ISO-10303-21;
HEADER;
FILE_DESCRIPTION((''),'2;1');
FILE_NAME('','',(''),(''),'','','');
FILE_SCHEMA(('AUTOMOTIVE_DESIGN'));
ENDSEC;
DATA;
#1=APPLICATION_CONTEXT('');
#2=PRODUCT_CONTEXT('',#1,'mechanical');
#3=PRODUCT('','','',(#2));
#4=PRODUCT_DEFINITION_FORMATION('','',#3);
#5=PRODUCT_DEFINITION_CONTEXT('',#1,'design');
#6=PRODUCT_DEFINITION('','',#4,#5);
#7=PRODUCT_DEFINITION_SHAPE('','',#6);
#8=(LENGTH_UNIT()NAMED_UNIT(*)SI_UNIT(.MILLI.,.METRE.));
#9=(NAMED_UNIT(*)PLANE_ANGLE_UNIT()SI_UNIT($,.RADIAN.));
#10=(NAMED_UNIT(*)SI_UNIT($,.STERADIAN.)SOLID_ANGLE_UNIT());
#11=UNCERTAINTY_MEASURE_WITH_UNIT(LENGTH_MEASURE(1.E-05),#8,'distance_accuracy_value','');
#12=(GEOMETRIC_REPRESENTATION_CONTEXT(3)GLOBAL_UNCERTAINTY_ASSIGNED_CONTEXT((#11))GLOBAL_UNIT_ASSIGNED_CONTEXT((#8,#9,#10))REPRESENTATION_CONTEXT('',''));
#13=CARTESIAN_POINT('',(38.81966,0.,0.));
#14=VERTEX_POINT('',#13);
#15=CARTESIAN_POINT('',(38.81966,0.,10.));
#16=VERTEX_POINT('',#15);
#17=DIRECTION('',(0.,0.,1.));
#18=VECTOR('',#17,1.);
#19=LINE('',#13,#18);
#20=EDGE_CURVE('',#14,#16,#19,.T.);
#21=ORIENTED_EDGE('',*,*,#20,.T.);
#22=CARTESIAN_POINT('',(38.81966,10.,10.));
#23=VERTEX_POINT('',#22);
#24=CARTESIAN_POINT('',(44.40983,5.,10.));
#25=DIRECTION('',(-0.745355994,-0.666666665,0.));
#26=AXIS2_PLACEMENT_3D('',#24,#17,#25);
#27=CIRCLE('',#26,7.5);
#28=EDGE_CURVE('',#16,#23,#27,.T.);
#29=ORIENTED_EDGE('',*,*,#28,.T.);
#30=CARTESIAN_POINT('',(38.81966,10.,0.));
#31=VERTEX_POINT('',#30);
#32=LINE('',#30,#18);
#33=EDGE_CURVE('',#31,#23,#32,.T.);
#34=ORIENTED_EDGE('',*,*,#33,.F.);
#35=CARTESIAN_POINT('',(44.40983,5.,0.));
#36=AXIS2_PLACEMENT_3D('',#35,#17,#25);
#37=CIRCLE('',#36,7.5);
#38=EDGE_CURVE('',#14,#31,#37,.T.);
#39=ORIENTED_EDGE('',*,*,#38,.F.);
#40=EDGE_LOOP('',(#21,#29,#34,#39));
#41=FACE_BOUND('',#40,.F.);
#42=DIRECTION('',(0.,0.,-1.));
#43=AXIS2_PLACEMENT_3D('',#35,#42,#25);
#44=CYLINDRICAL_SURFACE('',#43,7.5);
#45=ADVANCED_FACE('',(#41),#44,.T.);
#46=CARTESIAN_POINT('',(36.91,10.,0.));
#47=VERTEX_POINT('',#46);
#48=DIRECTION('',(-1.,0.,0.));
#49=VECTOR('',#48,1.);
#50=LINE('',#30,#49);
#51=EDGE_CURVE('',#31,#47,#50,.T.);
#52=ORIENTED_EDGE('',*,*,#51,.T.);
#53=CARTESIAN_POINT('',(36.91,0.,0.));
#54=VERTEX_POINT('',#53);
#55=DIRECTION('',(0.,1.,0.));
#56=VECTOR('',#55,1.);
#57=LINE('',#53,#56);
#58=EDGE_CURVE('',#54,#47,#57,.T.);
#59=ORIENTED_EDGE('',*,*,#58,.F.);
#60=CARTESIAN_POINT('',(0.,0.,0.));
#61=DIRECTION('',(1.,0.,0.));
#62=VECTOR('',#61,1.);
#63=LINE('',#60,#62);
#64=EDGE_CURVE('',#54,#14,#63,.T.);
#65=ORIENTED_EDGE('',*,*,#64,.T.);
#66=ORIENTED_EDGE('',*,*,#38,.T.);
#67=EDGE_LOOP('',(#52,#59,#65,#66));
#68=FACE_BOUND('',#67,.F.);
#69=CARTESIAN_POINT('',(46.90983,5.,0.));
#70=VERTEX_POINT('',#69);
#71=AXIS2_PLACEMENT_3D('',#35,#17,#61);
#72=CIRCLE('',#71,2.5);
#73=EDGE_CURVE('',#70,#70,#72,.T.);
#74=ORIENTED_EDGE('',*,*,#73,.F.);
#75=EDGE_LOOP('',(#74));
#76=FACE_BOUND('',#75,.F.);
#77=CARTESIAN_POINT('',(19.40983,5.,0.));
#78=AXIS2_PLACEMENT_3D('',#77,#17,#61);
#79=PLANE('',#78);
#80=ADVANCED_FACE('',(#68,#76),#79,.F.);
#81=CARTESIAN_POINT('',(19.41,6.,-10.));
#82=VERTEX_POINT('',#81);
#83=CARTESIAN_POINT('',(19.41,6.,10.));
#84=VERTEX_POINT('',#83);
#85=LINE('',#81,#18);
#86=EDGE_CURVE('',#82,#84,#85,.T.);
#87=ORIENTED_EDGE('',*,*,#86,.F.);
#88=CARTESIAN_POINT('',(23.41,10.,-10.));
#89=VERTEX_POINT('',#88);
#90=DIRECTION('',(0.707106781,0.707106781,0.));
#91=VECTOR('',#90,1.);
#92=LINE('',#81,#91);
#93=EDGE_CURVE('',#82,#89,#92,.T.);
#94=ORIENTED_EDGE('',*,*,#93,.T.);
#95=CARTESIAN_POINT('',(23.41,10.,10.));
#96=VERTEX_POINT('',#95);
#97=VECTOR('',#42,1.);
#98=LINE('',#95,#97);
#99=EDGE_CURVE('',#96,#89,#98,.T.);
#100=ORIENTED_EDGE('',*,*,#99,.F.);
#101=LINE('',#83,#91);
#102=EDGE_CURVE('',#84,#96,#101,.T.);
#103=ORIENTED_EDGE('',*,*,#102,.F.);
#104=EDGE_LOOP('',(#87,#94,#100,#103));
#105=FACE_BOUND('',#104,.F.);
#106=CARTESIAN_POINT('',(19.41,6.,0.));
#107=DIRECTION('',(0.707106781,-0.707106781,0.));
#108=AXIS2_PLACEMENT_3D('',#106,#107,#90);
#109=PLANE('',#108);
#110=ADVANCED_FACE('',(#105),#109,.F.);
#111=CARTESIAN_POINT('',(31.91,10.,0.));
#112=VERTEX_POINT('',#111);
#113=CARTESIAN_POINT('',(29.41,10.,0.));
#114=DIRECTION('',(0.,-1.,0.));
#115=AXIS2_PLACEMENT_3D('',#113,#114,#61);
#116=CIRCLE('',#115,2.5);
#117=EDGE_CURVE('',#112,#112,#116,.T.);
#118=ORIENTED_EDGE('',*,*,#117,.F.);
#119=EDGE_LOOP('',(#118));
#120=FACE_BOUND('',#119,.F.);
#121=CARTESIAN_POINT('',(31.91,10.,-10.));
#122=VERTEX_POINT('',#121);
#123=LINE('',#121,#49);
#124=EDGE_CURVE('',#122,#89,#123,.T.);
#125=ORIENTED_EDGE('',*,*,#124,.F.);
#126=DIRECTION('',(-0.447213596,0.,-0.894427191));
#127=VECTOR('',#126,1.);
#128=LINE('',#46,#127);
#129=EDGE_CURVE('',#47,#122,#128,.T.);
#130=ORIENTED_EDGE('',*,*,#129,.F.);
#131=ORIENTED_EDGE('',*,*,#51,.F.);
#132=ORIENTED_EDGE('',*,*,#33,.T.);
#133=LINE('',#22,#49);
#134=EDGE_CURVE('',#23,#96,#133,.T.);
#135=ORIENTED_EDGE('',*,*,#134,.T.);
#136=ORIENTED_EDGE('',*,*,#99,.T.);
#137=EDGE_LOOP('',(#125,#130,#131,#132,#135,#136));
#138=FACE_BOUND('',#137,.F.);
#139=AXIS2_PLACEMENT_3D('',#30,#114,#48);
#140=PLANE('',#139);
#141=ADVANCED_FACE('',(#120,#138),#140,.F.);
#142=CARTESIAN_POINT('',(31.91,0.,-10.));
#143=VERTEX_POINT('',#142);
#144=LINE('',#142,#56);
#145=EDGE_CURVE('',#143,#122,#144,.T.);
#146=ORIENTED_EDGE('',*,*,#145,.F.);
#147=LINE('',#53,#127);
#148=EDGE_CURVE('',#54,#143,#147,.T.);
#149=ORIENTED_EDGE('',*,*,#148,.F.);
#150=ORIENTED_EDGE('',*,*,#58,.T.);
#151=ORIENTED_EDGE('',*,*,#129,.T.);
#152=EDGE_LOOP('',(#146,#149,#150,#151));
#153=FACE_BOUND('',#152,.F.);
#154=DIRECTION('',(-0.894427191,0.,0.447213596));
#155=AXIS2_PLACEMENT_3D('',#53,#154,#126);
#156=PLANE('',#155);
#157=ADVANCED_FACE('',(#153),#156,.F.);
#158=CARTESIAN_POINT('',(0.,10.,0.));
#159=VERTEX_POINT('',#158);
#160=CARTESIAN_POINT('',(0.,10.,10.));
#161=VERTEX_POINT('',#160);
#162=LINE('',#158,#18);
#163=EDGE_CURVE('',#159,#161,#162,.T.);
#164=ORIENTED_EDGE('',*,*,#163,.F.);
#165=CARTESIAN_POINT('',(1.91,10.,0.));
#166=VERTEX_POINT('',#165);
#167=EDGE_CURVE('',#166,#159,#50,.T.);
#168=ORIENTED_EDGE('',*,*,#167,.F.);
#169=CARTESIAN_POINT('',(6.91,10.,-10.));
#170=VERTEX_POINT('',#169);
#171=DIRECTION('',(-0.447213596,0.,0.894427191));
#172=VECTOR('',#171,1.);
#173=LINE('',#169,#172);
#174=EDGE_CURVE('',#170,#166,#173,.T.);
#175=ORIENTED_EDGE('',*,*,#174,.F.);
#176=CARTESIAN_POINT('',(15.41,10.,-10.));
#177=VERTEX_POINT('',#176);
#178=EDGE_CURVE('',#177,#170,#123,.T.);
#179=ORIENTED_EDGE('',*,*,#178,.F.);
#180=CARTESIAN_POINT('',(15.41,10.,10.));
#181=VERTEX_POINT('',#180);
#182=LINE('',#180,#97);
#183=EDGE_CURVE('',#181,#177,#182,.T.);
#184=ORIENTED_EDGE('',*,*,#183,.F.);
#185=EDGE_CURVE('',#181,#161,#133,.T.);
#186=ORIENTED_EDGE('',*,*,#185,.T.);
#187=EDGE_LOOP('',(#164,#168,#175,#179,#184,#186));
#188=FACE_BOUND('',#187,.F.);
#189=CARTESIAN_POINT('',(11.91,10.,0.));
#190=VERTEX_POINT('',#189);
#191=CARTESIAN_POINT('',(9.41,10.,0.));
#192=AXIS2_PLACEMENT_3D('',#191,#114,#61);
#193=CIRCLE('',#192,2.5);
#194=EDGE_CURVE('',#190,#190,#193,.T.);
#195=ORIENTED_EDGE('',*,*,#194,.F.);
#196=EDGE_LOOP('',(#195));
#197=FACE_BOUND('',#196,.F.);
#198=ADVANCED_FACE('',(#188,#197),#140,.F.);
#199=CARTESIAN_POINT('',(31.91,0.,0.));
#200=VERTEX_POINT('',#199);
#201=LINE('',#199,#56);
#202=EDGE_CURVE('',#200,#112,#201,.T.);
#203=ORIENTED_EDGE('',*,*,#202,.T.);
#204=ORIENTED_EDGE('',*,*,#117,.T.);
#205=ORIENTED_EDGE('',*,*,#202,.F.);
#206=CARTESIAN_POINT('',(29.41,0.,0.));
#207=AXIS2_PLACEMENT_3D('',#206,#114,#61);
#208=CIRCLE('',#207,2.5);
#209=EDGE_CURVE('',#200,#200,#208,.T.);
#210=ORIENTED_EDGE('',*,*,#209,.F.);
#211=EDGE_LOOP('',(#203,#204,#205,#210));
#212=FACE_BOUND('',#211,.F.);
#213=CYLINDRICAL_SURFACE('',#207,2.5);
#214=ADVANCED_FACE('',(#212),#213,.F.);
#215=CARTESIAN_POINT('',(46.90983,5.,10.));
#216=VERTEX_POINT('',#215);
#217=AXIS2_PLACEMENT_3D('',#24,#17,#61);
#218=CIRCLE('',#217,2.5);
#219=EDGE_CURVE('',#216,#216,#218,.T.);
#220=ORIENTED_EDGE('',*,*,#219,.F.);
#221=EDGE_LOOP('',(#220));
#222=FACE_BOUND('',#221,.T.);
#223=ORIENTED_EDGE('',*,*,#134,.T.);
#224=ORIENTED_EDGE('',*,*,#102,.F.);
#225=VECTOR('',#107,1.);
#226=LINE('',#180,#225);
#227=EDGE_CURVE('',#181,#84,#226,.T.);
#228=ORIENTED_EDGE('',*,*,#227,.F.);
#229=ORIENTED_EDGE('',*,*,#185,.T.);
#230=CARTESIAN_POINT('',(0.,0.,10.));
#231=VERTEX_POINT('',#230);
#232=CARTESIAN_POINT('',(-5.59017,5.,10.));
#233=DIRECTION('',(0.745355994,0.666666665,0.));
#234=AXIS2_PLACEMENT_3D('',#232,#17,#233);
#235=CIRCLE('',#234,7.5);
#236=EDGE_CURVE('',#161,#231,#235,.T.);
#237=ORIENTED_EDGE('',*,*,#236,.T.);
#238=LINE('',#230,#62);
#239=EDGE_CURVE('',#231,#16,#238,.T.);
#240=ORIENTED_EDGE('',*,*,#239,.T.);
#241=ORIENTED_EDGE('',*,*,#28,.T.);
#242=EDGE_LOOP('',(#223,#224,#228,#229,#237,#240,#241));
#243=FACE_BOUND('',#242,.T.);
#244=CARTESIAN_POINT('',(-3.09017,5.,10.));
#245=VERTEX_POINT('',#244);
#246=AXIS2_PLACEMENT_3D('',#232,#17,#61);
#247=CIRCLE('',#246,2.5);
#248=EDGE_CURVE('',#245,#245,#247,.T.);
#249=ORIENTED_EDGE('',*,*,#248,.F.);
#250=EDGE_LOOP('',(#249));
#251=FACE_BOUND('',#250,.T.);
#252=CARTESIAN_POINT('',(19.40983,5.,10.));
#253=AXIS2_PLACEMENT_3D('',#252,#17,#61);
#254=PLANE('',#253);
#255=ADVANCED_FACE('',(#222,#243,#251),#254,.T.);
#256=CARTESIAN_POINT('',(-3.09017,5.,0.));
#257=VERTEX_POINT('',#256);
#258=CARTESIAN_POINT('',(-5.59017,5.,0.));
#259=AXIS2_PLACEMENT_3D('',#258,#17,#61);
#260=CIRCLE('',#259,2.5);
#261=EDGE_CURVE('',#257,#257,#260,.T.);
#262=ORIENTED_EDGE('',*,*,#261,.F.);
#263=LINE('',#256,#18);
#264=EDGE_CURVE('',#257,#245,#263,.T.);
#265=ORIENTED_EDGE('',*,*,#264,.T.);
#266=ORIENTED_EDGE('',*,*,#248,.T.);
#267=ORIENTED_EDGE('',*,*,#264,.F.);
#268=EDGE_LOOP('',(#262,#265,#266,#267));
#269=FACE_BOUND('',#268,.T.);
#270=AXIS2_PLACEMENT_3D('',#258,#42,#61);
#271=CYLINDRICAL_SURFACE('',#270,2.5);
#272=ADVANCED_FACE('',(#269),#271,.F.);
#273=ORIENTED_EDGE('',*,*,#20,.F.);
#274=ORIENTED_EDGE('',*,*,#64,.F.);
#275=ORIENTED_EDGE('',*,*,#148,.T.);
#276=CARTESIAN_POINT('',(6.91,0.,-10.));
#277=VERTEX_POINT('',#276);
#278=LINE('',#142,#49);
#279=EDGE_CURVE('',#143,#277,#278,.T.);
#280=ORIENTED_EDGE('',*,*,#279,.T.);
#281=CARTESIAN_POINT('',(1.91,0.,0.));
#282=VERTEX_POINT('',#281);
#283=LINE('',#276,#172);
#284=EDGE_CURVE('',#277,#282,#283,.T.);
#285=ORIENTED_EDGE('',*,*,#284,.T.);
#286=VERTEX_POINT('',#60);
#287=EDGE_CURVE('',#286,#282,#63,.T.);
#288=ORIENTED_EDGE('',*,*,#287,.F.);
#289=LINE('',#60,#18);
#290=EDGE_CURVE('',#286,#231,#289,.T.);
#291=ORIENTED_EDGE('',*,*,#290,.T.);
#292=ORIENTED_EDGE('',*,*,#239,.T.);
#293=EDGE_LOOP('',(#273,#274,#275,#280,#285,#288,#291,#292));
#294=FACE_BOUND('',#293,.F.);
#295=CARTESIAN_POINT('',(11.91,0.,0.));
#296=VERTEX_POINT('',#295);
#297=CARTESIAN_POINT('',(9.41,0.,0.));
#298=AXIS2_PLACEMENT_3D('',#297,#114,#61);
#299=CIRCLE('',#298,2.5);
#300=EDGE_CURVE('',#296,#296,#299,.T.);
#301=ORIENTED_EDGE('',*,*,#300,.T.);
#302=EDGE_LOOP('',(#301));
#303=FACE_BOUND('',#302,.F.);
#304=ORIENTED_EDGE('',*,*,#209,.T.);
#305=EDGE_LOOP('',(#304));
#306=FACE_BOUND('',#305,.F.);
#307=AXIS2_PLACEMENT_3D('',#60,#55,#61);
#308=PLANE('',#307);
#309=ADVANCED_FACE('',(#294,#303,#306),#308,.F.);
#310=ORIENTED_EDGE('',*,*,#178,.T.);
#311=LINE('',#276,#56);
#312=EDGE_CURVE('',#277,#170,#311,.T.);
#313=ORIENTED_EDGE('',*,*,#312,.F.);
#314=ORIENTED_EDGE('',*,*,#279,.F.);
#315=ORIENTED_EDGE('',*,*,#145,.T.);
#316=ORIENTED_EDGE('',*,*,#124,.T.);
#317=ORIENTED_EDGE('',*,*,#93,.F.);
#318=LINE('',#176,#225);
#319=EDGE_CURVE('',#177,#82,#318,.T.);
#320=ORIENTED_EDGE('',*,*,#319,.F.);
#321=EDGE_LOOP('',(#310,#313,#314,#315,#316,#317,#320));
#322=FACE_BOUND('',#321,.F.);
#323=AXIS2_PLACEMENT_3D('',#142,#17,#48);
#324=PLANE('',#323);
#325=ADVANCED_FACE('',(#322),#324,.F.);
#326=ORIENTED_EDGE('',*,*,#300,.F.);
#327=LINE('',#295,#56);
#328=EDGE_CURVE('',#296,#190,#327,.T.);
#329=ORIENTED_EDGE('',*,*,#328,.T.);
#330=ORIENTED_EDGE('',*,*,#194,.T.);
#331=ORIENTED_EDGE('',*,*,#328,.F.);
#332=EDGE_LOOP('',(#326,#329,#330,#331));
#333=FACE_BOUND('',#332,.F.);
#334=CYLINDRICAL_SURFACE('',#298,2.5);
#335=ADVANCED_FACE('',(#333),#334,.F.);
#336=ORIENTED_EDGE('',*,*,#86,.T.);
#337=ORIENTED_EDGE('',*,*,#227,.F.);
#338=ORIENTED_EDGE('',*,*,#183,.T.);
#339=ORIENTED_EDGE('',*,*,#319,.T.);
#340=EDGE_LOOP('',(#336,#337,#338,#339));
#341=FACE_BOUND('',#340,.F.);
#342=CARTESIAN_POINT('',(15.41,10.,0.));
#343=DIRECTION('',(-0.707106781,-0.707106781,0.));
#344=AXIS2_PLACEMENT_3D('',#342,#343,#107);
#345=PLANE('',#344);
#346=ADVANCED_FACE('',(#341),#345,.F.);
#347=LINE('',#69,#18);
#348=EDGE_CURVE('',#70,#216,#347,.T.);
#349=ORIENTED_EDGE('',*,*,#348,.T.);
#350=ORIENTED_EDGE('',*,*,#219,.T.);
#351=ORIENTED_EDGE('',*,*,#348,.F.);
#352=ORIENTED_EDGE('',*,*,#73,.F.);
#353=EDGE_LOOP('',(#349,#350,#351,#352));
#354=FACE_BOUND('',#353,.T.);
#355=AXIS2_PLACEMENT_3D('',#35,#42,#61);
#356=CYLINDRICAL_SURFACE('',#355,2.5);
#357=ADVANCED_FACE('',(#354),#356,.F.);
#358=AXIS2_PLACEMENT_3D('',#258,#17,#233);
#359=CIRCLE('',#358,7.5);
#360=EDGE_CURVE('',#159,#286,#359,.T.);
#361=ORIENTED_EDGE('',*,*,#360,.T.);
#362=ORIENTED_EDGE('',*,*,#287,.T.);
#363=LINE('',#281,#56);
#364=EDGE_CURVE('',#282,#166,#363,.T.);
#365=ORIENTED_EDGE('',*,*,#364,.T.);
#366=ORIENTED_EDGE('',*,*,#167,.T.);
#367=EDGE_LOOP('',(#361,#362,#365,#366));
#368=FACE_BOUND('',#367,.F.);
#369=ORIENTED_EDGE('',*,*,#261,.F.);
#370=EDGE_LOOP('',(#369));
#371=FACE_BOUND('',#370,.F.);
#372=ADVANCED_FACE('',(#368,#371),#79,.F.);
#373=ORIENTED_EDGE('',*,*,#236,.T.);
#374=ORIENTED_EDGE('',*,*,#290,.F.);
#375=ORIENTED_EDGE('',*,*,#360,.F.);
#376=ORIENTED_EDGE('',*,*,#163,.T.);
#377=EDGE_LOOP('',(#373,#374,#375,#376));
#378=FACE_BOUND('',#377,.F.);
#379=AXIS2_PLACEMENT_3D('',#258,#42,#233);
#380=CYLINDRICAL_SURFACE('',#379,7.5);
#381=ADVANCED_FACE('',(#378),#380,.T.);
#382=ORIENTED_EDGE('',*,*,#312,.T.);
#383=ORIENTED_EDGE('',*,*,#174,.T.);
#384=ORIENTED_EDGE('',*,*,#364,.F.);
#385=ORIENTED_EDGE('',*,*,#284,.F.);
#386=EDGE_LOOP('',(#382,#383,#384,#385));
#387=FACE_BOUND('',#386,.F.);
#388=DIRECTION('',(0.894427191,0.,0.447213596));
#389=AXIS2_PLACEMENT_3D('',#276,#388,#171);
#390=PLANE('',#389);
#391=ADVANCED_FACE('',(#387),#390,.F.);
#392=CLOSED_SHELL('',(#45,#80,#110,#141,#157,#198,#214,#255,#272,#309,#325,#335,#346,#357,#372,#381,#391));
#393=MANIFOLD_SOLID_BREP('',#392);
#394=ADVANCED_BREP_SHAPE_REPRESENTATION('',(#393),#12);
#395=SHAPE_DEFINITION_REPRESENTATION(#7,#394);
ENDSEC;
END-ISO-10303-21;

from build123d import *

# Parameters (mm, degrees)
SKETCH003_R      = 2.5
EXTRUDE003_DEPTH = 10
EXTRUDE002_DEPTH = 10
EXTRUDE001_DEPTH = 10
SKETCH_R         = 2.5
EXTRUDE_DEPTH    = 10


with BuildPart() as extrude003:
    # Sketch003 (on Cut) → Extrude003 (new body)
    with BuildSketch(Plane.XZ):
        with Locations((9.41, 0)):
            Circle(SKETCH003_R)
        with Locations((29.41, 0)):
            Circle(SKETCH003_R)
    extrude(amount=-EXTRUDE003_DEPTH)


with BuildPart() as extrude002:
    # Sketch002 (on Fusion) → Extrude002 (new body, symmetric)
    with BuildSketch(Plane(origin=(0, 10, 0), x_dir=(1, 0, 0), z_dir=(0, 0, 1))):
        Polygon((15.41, 0), (19.41, -4), (23.41, 0), align=None)
    extrude(amount=EXTRUDE002_DEPTH, both=True)


with BuildPart() as extrude001:
    # Sketch001 (on Extrude) → Extrude001 (new body)
    with BuildSketch(Plane.XZ):
        Polygon((1.91, 0), (36.91, 0), (31.91, -10), (6.91, -10), align=None)
    extrude(amount=-EXTRUDE001_DEPTH)


with BuildPart() as cut001:
    # Sketch → Extrude (new body)
    with BuildSketch(Plane.XY):
        with BuildLine():
            Line((0, 0), (38.81966, 0))
            ThreePointArc((38.81966, 0), (51.90983, 5), (38.81966, 10))
            Line((38.81966, 10), (0, 10))
            ThreePointArc((0, 10), (-13.09017, 5), (0, 0))
        make_face()
        with Locations((-5.59017, 5)):
            Circle(SKETCH_R, mode=Mode.SUBTRACT)
        with Locations((44.40983, 5)):
            Circle(SKETCH_R, mode=Mode.SUBTRACT)
    extrude(amount=EXTRUDE_DEPTH)

    # Fusion: union Extrude001
    add(extrude001.part)

    # Cut: cut Extrude002
    add(extrude002.part, mode=Mode.SUBTRACT)

    # Cut001: cut Extrude003
    add(extrude003.part, mode=Mode.SUBTRACT)


solid = cut001.part
